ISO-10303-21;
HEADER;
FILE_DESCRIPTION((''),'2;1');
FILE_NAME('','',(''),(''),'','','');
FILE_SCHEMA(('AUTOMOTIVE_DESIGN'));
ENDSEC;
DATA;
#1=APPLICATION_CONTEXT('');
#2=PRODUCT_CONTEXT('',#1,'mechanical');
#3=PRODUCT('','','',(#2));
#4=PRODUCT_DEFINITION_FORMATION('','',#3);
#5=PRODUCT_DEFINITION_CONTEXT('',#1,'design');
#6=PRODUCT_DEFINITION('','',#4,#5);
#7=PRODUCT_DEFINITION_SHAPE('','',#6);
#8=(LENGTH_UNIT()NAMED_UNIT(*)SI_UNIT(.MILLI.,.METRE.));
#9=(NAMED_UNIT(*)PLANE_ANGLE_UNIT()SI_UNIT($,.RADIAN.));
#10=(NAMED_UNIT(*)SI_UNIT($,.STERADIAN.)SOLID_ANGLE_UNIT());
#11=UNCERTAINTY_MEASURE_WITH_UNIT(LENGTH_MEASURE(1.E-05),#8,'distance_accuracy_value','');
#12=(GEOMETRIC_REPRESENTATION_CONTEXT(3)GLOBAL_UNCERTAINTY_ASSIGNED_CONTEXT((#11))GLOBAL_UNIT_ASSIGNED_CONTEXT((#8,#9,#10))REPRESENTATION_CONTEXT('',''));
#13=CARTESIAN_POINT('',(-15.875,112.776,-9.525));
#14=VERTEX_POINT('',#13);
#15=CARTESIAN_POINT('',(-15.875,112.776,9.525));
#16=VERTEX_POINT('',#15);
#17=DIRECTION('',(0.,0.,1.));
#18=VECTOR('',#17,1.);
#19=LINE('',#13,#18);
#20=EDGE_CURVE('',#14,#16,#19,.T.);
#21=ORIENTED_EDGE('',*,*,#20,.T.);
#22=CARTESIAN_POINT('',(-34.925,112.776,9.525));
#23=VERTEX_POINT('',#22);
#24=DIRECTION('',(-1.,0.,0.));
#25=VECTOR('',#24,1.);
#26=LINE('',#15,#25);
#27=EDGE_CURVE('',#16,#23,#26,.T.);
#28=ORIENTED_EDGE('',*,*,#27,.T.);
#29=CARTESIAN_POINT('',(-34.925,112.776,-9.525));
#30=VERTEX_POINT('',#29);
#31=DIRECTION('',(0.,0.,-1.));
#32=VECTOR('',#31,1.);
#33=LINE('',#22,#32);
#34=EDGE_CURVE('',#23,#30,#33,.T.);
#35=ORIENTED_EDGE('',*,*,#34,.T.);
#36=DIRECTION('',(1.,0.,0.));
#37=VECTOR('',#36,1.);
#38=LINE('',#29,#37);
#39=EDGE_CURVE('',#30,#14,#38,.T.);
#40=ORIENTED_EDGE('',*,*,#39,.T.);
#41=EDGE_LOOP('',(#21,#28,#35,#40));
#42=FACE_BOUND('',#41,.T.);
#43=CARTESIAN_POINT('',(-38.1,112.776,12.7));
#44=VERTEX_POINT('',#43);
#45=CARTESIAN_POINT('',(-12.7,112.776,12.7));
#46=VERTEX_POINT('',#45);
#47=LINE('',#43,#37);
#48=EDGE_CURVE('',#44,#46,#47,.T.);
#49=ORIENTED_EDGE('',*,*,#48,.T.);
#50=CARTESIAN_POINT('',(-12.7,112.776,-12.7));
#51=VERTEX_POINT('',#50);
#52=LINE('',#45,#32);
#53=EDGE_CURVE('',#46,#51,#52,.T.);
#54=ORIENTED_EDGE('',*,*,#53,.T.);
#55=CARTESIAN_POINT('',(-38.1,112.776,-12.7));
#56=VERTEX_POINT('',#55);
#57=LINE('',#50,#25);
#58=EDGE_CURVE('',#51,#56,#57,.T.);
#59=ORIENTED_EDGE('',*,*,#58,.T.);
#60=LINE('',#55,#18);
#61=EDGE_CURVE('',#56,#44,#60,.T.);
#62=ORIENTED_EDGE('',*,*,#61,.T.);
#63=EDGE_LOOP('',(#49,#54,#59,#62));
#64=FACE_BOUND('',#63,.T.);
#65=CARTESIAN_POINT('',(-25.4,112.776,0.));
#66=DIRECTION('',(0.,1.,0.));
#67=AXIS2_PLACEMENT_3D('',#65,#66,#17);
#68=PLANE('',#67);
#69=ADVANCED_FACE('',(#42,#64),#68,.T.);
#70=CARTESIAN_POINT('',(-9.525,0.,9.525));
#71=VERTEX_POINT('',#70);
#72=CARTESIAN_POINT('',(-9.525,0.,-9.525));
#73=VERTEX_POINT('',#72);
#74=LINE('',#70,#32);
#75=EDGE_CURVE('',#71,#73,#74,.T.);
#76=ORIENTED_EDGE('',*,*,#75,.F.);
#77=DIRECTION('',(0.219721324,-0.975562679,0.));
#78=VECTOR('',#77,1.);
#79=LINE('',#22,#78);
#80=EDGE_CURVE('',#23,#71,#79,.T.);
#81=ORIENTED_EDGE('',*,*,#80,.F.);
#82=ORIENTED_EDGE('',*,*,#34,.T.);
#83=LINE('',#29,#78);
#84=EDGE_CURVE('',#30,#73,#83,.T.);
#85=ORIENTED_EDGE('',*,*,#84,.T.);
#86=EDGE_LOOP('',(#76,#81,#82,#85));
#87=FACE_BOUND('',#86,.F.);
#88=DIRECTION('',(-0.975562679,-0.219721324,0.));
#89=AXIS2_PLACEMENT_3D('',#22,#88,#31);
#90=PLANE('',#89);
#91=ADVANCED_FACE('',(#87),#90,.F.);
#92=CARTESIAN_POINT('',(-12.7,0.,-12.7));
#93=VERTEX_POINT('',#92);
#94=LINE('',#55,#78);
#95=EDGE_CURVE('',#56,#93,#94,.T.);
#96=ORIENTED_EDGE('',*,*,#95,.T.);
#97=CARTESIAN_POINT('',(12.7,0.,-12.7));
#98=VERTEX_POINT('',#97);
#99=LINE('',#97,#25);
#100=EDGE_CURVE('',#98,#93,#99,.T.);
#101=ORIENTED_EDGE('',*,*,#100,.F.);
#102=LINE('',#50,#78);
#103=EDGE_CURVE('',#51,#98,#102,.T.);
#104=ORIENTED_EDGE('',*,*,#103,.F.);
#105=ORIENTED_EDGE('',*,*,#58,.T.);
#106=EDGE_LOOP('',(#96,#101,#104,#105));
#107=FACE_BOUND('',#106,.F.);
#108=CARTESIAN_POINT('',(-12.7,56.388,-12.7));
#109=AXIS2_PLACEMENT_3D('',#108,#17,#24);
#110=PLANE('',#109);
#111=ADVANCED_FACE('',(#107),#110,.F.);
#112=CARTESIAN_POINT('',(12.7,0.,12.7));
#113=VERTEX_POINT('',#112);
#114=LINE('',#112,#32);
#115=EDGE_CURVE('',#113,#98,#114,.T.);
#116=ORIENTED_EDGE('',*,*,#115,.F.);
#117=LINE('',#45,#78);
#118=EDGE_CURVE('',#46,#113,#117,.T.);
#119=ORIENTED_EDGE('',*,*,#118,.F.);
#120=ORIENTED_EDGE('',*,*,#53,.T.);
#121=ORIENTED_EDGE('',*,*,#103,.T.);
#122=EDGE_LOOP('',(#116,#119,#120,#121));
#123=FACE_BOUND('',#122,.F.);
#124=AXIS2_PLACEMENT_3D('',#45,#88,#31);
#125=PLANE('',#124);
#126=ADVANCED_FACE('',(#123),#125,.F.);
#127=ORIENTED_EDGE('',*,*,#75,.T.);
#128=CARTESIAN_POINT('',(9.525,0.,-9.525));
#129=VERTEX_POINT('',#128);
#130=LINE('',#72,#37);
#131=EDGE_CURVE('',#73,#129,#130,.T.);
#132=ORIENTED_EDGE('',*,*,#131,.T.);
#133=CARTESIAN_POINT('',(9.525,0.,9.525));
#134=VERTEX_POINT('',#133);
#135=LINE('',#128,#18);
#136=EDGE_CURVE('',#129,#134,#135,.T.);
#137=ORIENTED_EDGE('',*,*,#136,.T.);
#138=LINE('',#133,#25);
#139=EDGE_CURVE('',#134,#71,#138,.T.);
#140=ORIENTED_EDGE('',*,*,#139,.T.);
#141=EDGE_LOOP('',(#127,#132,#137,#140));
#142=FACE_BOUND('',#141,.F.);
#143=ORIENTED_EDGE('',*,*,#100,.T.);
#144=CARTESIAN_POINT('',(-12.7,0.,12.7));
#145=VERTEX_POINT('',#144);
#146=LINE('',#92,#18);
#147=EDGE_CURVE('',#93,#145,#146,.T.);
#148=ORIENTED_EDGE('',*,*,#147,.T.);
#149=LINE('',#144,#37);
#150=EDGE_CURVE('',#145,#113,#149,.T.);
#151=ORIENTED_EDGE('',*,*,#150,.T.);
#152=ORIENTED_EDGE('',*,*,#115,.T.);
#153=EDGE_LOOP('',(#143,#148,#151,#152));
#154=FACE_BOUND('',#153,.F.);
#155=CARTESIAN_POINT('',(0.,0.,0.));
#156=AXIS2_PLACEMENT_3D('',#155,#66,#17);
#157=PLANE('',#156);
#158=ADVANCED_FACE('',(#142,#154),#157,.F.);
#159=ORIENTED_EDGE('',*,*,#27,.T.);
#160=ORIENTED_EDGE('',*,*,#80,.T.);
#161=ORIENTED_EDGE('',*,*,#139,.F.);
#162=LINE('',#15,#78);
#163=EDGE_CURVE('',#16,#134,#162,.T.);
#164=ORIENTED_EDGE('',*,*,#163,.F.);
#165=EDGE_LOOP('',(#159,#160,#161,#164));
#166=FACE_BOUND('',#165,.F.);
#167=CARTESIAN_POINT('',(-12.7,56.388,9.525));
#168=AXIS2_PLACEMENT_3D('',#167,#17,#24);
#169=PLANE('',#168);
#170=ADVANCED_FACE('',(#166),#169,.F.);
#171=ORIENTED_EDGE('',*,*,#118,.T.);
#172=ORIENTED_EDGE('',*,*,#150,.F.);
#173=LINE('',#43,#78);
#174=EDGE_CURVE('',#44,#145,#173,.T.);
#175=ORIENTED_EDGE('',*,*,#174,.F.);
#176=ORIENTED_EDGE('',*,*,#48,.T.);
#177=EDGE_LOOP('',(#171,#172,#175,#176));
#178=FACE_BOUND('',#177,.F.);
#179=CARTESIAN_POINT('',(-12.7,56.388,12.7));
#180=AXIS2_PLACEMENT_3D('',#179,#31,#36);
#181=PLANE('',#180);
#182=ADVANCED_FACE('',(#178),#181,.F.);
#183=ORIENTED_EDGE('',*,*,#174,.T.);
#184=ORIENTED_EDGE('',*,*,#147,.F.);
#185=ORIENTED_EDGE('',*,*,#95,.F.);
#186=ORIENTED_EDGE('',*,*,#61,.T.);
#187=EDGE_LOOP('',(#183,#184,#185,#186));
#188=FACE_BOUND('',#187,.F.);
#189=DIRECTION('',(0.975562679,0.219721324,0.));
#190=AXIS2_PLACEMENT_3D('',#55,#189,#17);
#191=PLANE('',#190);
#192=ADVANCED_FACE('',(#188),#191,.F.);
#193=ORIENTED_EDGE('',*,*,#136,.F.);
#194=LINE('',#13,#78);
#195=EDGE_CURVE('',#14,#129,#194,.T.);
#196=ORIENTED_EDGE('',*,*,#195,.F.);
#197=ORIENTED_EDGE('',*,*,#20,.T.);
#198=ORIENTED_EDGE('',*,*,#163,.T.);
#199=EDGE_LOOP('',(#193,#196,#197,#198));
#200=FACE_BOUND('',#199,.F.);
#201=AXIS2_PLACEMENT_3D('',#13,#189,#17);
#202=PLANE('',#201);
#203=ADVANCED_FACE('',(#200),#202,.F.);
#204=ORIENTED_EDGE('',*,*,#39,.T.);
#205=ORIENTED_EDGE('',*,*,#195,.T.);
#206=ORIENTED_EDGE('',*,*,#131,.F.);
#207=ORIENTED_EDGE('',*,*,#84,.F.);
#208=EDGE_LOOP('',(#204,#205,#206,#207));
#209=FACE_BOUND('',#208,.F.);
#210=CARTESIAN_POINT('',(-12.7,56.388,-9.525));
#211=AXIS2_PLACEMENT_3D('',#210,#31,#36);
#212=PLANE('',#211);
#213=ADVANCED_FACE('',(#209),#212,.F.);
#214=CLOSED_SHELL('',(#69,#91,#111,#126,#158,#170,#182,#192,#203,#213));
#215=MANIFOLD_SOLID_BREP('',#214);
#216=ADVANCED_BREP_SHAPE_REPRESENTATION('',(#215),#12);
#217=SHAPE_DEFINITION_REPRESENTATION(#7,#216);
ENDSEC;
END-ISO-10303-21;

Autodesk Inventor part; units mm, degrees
ref_plane "YZ Plane" through (0, 0, 0) normal (1, 0, 0) x (0, 1, 0)
ref_plane "XY Plane" through (0, 0, 0) normal (0, 0, 1) x (1, 0, 0)
sketch "Sketch1" plane through (0, 0, 0) normal (0, 1, 0) x (-1, 0, 0)
  line L0 (-12.7, -12.7) -> (12.7, -12.7)
  line L1 (12.7, -12.7) -> (12.7, 12.7)
  line L2 (12.7, 12.7) -> (-12.7, 12.7)
  line L3 (-12.7, 12.7) -> (-12.7, -12.7)
  line L4 (-12.7, -12.7) -> (12.7, 12.7) construction
  line L5 (12.7, -12.7) -> (-12.7, 12.7) construction
  line L6 (9.525, 9.525) -> (9.525, -9.525)
  line L7 (9.525, -9.525) -> (-9.525, -9.525)
  line L8 (-9.525, -9.525) -> (-9.525, 9.525)
  line L9 (-9.525, 9.525) -> (9.525, 9.525)
  point P0 (0, 0)
  dimension "d0" = 25.4
  dimension "d1" = 25.4
  dimension "d2" = 3.175
ref_plane "Work Plane1" through (0, 112.776, 0) normal (0, 1, 0) x (-1, 0, 0)
sketch "Sketch2" plane through (0, 112.776, 0) normal (0, 1, 0) x (-1, 0, 0)
  line L0 (38.1, -12.7) -> (12.7, -12.7)
  line L1 (12.7, -12.7) -> (12.7, 12.7)
  line L2 (12.7, 12.7) -> (38.1, 12.7)
  line L3 (38.1, 12.7) -> (38.1, -12.7)
  line L4 (38.1, -12.7) -> (12.7, 12.7) construction
  line L5 (12.7, -12.7) -> (38.1, 12.7) construction
  line L6 (34.925, 9.525) -> (15.875, 9.525)
  line L7 (15.875, 9.525) -> (15.875, -9.525)
  line L8 (15.875, -9.525) -> (34.925, -9.525)
  line L9 (34.925, -9.525) -> (34.925, 9.525)
  point P0 (0, 0)
  point P1 (25.4, 0)
  point P2 (38.1, 0)
  dimension "d6" = 25.4
  dimension "d7" = 25.4
  dimension "d8" = 3.175
sketch "Sketch3" plane through (0, 0, 0) normal (0, 0, 1) x (1, 0, 0)
  line L0 (-12.7, 112.776) -> (-38.1, 112.776) construction
  line L1 (-25.4, 112.776) -> (0, 0)
sweep "Sweep1" add profiles "Sketch1" path "Sketch3"
properties part number "STRU_006_BilletPole_4.44in"
